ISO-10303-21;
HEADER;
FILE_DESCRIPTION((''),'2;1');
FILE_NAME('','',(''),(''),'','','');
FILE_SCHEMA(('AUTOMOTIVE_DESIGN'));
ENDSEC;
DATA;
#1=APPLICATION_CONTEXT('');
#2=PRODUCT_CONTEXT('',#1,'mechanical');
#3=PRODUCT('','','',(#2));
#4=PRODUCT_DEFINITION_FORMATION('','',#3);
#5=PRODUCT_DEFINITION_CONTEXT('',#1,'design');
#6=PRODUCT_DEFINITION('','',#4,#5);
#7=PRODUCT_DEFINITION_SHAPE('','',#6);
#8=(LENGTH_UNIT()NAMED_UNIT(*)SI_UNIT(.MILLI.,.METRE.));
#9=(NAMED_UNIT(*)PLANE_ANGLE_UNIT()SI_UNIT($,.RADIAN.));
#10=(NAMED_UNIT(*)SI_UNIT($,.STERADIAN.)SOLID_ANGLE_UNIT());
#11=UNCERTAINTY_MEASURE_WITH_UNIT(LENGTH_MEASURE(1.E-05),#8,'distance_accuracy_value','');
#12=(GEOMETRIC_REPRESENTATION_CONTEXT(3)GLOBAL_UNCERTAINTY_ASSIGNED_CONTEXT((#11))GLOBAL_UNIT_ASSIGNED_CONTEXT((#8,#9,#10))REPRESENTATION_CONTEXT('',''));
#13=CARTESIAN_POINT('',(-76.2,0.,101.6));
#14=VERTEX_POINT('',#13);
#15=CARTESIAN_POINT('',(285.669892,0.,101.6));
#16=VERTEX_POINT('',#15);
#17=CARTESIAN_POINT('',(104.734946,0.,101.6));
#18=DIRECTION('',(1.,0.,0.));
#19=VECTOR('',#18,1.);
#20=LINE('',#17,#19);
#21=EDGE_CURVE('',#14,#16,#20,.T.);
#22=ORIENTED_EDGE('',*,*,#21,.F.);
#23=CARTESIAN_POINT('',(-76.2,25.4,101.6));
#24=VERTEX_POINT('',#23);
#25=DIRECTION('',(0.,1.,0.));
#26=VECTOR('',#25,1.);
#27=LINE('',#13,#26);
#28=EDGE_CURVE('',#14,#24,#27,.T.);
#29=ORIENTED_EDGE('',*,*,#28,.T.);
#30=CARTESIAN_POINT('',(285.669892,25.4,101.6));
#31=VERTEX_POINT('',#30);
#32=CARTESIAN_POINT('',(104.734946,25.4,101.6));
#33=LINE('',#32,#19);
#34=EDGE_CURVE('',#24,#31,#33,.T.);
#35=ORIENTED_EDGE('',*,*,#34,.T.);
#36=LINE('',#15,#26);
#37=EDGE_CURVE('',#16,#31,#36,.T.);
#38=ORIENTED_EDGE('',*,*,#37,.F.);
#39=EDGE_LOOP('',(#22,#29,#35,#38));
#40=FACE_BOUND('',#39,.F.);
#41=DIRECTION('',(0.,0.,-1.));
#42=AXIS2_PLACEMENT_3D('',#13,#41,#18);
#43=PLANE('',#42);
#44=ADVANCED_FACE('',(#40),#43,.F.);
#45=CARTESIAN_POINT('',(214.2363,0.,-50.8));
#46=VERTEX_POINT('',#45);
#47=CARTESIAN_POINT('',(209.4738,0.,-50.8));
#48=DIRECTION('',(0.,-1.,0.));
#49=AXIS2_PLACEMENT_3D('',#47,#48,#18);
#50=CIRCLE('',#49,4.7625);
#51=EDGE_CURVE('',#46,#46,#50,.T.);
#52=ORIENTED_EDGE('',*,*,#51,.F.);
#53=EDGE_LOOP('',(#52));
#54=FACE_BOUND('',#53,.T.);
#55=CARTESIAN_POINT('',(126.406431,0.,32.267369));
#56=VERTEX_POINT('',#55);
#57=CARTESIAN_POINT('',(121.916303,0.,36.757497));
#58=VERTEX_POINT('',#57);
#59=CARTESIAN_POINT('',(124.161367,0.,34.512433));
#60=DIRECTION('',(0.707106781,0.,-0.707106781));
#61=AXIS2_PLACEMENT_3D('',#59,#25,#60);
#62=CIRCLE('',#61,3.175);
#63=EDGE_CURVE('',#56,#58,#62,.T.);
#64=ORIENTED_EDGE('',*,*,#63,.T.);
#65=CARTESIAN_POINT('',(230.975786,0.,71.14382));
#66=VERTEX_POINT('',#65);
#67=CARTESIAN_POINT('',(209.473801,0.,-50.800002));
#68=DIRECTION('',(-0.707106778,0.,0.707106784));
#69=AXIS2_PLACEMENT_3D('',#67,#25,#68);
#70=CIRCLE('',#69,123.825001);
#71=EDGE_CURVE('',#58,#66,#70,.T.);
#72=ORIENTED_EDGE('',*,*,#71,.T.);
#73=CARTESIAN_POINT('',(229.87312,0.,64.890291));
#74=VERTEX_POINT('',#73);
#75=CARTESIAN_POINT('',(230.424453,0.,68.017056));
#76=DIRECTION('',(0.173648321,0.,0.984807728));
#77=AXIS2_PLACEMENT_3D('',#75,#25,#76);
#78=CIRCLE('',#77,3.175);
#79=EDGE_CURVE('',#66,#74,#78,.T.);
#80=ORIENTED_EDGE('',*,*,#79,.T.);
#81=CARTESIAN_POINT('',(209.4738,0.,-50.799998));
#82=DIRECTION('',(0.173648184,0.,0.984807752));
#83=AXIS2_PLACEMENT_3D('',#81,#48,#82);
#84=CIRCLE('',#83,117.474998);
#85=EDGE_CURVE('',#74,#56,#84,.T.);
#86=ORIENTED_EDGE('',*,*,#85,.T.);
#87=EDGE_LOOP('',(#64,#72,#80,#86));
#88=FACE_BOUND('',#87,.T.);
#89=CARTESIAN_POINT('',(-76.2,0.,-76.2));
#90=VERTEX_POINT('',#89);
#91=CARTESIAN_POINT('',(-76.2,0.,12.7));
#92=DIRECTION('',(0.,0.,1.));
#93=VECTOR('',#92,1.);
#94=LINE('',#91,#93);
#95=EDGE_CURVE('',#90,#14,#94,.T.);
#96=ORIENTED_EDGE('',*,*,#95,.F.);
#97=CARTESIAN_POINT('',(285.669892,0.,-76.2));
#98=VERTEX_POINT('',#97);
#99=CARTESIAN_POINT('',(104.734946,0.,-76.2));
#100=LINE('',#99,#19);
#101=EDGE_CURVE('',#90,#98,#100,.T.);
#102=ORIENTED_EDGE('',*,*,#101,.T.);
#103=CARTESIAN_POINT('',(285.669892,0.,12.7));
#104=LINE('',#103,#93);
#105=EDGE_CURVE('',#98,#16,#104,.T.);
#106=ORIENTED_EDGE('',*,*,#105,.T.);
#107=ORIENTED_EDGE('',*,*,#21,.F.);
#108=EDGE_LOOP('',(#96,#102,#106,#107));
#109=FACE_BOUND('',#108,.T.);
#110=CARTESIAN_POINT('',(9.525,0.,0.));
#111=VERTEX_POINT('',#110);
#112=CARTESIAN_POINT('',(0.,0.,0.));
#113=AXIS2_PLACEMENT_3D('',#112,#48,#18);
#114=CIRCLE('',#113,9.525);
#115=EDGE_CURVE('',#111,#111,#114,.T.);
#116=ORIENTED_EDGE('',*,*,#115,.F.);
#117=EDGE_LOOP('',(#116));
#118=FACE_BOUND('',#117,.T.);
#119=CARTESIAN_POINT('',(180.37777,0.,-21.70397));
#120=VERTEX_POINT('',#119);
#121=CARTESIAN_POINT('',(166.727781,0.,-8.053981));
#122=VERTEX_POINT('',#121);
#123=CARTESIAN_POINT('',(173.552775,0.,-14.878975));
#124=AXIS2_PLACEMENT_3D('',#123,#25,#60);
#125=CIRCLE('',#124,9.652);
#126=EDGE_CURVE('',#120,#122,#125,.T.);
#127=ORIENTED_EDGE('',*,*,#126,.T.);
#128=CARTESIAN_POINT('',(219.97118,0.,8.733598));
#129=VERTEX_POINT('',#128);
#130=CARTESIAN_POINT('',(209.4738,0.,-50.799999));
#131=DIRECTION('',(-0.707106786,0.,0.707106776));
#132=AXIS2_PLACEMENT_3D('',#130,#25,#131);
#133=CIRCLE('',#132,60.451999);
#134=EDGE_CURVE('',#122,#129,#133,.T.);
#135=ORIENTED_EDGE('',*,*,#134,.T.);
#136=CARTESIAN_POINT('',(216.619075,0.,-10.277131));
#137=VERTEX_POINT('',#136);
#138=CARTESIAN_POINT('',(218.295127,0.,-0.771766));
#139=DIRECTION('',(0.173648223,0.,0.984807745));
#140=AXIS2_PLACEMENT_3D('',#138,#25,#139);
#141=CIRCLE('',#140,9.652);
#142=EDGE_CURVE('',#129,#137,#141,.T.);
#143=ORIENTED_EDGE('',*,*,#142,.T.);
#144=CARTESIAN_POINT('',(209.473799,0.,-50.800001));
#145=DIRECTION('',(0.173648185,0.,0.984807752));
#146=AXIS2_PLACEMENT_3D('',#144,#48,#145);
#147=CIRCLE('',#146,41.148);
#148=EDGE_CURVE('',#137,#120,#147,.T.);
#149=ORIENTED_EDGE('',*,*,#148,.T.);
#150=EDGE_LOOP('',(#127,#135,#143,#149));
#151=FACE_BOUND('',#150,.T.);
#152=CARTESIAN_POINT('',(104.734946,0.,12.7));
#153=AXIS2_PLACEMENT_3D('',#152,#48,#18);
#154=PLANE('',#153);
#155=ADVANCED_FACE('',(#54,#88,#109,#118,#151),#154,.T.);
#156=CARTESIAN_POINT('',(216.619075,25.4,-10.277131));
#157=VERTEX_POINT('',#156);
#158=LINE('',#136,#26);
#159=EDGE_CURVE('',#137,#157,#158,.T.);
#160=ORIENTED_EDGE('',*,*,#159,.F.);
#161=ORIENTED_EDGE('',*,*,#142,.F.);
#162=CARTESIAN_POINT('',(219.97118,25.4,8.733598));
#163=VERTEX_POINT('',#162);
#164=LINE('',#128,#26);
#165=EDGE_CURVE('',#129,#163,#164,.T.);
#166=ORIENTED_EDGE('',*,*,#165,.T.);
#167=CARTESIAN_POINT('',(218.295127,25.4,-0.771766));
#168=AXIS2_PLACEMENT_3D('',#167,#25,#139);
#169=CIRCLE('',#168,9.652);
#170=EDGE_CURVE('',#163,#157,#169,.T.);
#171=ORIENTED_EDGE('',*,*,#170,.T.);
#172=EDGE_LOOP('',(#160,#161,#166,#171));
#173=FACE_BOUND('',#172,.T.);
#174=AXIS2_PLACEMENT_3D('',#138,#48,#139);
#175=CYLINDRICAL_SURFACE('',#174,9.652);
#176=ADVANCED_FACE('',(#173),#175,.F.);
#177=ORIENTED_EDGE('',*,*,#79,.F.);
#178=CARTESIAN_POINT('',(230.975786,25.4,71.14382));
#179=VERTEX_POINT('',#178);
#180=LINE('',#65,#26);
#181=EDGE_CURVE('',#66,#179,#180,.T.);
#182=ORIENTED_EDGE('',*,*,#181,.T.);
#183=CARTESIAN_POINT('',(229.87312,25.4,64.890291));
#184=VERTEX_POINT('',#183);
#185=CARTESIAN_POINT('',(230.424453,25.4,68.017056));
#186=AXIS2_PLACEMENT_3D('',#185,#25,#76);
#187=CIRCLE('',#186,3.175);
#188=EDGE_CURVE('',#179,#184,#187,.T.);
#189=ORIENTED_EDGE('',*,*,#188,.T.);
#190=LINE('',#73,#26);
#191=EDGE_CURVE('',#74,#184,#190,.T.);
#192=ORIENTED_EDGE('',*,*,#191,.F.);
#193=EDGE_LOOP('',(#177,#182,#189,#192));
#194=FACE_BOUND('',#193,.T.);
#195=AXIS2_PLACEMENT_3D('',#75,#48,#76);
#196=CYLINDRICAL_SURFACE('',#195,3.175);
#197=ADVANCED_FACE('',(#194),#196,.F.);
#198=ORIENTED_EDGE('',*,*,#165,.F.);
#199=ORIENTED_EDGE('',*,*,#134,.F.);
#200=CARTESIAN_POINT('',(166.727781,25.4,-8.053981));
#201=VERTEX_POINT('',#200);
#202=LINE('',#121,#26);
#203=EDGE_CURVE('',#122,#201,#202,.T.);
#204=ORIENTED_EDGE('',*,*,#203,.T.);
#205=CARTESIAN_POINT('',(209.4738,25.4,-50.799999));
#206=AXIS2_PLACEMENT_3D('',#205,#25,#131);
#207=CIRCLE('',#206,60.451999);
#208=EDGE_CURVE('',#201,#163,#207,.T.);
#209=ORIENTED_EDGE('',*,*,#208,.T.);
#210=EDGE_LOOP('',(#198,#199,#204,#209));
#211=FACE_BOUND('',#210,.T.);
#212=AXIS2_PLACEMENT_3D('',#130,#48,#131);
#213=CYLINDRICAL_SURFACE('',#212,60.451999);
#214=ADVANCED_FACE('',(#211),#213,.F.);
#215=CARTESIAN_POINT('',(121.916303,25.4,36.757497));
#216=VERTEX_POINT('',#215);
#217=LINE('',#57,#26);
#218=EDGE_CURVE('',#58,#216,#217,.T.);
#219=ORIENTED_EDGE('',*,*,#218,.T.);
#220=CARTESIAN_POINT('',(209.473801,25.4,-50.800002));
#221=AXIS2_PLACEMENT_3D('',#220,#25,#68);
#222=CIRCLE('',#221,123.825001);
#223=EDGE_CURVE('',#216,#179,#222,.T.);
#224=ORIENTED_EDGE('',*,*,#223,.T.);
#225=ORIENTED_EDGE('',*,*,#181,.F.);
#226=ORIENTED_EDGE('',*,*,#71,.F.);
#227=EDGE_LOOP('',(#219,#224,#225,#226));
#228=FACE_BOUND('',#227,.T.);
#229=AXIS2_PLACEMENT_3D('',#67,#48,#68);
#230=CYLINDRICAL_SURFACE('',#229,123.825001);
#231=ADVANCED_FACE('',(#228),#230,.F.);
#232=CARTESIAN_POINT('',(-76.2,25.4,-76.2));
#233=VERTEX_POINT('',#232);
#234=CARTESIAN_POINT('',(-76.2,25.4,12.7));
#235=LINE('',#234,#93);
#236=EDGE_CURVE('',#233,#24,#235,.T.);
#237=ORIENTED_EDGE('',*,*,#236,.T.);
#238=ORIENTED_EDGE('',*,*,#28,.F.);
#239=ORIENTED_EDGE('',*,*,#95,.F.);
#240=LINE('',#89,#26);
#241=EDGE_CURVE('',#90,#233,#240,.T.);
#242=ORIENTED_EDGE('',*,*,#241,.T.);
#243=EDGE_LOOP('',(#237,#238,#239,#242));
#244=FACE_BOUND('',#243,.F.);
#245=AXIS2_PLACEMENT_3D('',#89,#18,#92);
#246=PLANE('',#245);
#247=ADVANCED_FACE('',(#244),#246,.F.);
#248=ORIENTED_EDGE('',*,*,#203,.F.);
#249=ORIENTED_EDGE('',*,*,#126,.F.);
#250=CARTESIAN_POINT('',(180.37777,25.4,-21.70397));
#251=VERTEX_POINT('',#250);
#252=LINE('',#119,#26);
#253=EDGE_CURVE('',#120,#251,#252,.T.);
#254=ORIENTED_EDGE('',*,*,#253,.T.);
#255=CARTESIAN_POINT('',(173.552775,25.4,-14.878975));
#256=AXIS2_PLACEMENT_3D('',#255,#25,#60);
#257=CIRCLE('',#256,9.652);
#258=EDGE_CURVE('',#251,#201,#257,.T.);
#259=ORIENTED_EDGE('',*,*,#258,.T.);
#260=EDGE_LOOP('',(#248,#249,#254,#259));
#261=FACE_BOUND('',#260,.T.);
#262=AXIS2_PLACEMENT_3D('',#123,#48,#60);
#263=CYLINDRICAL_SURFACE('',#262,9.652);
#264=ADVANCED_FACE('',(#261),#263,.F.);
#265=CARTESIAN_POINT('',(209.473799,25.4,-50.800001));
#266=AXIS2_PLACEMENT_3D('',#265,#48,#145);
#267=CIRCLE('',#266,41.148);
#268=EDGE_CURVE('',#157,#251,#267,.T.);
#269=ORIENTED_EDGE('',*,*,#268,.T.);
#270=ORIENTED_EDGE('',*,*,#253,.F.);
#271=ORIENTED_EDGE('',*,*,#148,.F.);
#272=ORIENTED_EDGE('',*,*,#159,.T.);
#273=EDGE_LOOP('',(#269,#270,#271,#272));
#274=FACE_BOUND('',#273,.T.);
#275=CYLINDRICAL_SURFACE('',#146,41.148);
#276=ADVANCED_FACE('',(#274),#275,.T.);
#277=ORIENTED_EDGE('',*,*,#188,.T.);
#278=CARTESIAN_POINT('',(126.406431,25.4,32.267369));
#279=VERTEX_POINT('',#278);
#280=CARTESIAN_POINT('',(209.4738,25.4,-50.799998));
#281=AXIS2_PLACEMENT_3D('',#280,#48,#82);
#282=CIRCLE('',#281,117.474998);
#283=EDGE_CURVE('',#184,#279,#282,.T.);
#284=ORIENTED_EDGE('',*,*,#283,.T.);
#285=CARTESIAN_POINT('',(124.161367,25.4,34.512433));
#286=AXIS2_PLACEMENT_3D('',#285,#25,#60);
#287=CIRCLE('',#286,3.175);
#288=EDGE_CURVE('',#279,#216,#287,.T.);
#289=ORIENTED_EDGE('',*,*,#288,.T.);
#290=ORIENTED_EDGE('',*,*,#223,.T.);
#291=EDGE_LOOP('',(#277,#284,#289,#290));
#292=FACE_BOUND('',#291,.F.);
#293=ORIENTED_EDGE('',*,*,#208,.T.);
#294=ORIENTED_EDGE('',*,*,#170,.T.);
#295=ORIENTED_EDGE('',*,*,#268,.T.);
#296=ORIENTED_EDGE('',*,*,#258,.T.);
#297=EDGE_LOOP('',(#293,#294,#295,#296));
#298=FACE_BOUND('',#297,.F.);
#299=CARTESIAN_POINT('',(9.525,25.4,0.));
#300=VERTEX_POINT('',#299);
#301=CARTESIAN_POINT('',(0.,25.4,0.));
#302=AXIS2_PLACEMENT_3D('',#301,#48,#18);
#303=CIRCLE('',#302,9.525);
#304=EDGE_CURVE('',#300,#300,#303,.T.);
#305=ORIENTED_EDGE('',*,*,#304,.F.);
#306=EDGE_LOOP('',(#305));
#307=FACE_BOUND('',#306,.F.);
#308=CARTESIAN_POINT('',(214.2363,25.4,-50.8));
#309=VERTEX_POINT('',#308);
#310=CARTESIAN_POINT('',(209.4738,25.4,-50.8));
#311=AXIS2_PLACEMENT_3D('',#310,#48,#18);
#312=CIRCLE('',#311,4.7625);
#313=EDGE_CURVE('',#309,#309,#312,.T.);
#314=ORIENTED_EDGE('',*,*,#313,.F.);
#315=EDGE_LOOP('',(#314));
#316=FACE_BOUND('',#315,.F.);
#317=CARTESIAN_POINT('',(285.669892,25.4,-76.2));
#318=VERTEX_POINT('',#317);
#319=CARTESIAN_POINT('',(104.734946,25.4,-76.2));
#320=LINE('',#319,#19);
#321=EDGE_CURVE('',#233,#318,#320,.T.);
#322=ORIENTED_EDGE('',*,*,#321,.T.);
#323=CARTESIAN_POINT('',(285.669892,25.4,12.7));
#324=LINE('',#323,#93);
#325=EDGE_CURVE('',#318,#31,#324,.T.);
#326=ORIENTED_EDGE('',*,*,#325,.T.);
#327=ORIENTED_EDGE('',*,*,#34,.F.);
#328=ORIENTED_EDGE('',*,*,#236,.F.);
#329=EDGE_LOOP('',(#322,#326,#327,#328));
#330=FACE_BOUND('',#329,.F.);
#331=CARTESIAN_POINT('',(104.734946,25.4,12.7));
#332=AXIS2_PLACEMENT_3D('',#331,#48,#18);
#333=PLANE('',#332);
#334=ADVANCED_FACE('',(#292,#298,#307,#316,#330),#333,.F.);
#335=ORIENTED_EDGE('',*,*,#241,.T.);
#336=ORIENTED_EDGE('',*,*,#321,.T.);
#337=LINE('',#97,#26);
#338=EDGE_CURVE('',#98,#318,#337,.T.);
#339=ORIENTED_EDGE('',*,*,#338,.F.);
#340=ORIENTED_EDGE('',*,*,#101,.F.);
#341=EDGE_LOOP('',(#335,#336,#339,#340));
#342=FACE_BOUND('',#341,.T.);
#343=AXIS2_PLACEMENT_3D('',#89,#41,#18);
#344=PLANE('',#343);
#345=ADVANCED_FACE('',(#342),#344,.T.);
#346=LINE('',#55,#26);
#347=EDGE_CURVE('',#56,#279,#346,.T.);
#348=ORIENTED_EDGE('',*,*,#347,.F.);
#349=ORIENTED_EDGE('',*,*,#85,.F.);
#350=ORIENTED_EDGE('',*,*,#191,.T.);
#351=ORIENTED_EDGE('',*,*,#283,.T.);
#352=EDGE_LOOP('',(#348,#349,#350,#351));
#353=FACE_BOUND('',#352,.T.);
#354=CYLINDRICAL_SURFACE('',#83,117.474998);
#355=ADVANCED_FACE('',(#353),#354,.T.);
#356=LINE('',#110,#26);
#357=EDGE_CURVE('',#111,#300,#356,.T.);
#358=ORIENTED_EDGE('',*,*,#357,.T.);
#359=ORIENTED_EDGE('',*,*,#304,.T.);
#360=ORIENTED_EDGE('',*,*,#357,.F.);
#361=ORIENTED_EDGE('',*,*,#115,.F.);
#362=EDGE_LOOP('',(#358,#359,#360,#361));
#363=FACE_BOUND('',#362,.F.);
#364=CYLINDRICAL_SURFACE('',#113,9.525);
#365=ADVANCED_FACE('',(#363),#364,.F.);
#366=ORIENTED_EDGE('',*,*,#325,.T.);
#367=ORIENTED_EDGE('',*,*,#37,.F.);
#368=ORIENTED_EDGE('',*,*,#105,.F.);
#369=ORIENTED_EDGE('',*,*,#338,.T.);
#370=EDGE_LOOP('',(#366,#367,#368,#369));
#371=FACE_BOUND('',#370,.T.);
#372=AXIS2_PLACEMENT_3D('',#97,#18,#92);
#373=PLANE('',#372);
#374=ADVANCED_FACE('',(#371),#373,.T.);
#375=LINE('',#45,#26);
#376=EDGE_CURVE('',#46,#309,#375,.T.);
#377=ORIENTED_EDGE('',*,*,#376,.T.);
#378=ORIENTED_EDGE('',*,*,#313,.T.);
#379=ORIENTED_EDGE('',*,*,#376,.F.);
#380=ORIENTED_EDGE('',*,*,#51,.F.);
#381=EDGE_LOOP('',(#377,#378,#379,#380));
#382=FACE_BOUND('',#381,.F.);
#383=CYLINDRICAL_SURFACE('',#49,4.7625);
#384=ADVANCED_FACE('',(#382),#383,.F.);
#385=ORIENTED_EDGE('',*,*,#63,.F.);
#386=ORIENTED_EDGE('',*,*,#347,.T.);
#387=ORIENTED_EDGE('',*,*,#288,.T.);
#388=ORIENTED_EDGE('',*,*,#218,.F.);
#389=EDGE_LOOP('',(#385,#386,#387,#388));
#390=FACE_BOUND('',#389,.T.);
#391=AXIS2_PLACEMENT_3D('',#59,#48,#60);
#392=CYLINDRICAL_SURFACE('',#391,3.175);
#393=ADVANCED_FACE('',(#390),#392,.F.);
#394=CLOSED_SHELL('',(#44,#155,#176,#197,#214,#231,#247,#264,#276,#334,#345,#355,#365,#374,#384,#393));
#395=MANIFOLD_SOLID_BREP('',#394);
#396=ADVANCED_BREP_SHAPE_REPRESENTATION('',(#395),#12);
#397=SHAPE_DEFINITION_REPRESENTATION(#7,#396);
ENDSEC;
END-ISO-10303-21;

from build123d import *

# Parameters (mm, degrees)
F1_W     = 361.869892
F1_H     = 177.8
F1_R     = 9.525
F1_R_2   = 4.7625
F2_DEPTH = 25.4


with BuildPart() as f2:
    # F1 (on Front) → F2 (new body)
    with BuildSketch(Plane.XZ):
        with Locations((104.734946, 12.7)):
            Rectangle(F1_W, F1_H)
        Circle(F1_R, mode=Mode.SUBTRACT)
        with Locations((209.4738, -50.8)):
            Circle(F1_R_2, mode=Mode.SUBTRACT)
        with BuildLine():
            ThreePointArc((216.619075, -10.277131), (197.100358, -11.556455), (180.37777, -21.70397))
            ThreePointArc((180.37777, -21.70397), (166.727781, -21.70397), (166.727781, -8.053981))
            ThreePointArc((166.727781, -8.053981), (191.295533, 6.854097), (219.97118, 8.733598))
            ThreePointArc((219.97118, 8.733598), (227.800492, -2.447818), (216.619075, -10.277131))
        make_face(mode=Mode.SUBTRACT)
        with BuildLine():
            ThreePointArc((229.87312, 64.890291), (174.148386, 61.237899), (126.406431, 32.267369))
            ThreePointArc((126.406431, 32.267369), (121.916303, 32.267369), (121.916303, 36.757497))
            ThreePointArc((121.916303, 36.757497), (172.238904, 67.294001), (230.975786, 71.14382))
            ThreePointArc((230.975786, 71.14382), (233.551217, 67.465722), (229.87312, 64.890291))
        make_face(mode=Mode.SUBTRACT)
    extrude(amount=-F2_DEPTH)


solid = f2.part
